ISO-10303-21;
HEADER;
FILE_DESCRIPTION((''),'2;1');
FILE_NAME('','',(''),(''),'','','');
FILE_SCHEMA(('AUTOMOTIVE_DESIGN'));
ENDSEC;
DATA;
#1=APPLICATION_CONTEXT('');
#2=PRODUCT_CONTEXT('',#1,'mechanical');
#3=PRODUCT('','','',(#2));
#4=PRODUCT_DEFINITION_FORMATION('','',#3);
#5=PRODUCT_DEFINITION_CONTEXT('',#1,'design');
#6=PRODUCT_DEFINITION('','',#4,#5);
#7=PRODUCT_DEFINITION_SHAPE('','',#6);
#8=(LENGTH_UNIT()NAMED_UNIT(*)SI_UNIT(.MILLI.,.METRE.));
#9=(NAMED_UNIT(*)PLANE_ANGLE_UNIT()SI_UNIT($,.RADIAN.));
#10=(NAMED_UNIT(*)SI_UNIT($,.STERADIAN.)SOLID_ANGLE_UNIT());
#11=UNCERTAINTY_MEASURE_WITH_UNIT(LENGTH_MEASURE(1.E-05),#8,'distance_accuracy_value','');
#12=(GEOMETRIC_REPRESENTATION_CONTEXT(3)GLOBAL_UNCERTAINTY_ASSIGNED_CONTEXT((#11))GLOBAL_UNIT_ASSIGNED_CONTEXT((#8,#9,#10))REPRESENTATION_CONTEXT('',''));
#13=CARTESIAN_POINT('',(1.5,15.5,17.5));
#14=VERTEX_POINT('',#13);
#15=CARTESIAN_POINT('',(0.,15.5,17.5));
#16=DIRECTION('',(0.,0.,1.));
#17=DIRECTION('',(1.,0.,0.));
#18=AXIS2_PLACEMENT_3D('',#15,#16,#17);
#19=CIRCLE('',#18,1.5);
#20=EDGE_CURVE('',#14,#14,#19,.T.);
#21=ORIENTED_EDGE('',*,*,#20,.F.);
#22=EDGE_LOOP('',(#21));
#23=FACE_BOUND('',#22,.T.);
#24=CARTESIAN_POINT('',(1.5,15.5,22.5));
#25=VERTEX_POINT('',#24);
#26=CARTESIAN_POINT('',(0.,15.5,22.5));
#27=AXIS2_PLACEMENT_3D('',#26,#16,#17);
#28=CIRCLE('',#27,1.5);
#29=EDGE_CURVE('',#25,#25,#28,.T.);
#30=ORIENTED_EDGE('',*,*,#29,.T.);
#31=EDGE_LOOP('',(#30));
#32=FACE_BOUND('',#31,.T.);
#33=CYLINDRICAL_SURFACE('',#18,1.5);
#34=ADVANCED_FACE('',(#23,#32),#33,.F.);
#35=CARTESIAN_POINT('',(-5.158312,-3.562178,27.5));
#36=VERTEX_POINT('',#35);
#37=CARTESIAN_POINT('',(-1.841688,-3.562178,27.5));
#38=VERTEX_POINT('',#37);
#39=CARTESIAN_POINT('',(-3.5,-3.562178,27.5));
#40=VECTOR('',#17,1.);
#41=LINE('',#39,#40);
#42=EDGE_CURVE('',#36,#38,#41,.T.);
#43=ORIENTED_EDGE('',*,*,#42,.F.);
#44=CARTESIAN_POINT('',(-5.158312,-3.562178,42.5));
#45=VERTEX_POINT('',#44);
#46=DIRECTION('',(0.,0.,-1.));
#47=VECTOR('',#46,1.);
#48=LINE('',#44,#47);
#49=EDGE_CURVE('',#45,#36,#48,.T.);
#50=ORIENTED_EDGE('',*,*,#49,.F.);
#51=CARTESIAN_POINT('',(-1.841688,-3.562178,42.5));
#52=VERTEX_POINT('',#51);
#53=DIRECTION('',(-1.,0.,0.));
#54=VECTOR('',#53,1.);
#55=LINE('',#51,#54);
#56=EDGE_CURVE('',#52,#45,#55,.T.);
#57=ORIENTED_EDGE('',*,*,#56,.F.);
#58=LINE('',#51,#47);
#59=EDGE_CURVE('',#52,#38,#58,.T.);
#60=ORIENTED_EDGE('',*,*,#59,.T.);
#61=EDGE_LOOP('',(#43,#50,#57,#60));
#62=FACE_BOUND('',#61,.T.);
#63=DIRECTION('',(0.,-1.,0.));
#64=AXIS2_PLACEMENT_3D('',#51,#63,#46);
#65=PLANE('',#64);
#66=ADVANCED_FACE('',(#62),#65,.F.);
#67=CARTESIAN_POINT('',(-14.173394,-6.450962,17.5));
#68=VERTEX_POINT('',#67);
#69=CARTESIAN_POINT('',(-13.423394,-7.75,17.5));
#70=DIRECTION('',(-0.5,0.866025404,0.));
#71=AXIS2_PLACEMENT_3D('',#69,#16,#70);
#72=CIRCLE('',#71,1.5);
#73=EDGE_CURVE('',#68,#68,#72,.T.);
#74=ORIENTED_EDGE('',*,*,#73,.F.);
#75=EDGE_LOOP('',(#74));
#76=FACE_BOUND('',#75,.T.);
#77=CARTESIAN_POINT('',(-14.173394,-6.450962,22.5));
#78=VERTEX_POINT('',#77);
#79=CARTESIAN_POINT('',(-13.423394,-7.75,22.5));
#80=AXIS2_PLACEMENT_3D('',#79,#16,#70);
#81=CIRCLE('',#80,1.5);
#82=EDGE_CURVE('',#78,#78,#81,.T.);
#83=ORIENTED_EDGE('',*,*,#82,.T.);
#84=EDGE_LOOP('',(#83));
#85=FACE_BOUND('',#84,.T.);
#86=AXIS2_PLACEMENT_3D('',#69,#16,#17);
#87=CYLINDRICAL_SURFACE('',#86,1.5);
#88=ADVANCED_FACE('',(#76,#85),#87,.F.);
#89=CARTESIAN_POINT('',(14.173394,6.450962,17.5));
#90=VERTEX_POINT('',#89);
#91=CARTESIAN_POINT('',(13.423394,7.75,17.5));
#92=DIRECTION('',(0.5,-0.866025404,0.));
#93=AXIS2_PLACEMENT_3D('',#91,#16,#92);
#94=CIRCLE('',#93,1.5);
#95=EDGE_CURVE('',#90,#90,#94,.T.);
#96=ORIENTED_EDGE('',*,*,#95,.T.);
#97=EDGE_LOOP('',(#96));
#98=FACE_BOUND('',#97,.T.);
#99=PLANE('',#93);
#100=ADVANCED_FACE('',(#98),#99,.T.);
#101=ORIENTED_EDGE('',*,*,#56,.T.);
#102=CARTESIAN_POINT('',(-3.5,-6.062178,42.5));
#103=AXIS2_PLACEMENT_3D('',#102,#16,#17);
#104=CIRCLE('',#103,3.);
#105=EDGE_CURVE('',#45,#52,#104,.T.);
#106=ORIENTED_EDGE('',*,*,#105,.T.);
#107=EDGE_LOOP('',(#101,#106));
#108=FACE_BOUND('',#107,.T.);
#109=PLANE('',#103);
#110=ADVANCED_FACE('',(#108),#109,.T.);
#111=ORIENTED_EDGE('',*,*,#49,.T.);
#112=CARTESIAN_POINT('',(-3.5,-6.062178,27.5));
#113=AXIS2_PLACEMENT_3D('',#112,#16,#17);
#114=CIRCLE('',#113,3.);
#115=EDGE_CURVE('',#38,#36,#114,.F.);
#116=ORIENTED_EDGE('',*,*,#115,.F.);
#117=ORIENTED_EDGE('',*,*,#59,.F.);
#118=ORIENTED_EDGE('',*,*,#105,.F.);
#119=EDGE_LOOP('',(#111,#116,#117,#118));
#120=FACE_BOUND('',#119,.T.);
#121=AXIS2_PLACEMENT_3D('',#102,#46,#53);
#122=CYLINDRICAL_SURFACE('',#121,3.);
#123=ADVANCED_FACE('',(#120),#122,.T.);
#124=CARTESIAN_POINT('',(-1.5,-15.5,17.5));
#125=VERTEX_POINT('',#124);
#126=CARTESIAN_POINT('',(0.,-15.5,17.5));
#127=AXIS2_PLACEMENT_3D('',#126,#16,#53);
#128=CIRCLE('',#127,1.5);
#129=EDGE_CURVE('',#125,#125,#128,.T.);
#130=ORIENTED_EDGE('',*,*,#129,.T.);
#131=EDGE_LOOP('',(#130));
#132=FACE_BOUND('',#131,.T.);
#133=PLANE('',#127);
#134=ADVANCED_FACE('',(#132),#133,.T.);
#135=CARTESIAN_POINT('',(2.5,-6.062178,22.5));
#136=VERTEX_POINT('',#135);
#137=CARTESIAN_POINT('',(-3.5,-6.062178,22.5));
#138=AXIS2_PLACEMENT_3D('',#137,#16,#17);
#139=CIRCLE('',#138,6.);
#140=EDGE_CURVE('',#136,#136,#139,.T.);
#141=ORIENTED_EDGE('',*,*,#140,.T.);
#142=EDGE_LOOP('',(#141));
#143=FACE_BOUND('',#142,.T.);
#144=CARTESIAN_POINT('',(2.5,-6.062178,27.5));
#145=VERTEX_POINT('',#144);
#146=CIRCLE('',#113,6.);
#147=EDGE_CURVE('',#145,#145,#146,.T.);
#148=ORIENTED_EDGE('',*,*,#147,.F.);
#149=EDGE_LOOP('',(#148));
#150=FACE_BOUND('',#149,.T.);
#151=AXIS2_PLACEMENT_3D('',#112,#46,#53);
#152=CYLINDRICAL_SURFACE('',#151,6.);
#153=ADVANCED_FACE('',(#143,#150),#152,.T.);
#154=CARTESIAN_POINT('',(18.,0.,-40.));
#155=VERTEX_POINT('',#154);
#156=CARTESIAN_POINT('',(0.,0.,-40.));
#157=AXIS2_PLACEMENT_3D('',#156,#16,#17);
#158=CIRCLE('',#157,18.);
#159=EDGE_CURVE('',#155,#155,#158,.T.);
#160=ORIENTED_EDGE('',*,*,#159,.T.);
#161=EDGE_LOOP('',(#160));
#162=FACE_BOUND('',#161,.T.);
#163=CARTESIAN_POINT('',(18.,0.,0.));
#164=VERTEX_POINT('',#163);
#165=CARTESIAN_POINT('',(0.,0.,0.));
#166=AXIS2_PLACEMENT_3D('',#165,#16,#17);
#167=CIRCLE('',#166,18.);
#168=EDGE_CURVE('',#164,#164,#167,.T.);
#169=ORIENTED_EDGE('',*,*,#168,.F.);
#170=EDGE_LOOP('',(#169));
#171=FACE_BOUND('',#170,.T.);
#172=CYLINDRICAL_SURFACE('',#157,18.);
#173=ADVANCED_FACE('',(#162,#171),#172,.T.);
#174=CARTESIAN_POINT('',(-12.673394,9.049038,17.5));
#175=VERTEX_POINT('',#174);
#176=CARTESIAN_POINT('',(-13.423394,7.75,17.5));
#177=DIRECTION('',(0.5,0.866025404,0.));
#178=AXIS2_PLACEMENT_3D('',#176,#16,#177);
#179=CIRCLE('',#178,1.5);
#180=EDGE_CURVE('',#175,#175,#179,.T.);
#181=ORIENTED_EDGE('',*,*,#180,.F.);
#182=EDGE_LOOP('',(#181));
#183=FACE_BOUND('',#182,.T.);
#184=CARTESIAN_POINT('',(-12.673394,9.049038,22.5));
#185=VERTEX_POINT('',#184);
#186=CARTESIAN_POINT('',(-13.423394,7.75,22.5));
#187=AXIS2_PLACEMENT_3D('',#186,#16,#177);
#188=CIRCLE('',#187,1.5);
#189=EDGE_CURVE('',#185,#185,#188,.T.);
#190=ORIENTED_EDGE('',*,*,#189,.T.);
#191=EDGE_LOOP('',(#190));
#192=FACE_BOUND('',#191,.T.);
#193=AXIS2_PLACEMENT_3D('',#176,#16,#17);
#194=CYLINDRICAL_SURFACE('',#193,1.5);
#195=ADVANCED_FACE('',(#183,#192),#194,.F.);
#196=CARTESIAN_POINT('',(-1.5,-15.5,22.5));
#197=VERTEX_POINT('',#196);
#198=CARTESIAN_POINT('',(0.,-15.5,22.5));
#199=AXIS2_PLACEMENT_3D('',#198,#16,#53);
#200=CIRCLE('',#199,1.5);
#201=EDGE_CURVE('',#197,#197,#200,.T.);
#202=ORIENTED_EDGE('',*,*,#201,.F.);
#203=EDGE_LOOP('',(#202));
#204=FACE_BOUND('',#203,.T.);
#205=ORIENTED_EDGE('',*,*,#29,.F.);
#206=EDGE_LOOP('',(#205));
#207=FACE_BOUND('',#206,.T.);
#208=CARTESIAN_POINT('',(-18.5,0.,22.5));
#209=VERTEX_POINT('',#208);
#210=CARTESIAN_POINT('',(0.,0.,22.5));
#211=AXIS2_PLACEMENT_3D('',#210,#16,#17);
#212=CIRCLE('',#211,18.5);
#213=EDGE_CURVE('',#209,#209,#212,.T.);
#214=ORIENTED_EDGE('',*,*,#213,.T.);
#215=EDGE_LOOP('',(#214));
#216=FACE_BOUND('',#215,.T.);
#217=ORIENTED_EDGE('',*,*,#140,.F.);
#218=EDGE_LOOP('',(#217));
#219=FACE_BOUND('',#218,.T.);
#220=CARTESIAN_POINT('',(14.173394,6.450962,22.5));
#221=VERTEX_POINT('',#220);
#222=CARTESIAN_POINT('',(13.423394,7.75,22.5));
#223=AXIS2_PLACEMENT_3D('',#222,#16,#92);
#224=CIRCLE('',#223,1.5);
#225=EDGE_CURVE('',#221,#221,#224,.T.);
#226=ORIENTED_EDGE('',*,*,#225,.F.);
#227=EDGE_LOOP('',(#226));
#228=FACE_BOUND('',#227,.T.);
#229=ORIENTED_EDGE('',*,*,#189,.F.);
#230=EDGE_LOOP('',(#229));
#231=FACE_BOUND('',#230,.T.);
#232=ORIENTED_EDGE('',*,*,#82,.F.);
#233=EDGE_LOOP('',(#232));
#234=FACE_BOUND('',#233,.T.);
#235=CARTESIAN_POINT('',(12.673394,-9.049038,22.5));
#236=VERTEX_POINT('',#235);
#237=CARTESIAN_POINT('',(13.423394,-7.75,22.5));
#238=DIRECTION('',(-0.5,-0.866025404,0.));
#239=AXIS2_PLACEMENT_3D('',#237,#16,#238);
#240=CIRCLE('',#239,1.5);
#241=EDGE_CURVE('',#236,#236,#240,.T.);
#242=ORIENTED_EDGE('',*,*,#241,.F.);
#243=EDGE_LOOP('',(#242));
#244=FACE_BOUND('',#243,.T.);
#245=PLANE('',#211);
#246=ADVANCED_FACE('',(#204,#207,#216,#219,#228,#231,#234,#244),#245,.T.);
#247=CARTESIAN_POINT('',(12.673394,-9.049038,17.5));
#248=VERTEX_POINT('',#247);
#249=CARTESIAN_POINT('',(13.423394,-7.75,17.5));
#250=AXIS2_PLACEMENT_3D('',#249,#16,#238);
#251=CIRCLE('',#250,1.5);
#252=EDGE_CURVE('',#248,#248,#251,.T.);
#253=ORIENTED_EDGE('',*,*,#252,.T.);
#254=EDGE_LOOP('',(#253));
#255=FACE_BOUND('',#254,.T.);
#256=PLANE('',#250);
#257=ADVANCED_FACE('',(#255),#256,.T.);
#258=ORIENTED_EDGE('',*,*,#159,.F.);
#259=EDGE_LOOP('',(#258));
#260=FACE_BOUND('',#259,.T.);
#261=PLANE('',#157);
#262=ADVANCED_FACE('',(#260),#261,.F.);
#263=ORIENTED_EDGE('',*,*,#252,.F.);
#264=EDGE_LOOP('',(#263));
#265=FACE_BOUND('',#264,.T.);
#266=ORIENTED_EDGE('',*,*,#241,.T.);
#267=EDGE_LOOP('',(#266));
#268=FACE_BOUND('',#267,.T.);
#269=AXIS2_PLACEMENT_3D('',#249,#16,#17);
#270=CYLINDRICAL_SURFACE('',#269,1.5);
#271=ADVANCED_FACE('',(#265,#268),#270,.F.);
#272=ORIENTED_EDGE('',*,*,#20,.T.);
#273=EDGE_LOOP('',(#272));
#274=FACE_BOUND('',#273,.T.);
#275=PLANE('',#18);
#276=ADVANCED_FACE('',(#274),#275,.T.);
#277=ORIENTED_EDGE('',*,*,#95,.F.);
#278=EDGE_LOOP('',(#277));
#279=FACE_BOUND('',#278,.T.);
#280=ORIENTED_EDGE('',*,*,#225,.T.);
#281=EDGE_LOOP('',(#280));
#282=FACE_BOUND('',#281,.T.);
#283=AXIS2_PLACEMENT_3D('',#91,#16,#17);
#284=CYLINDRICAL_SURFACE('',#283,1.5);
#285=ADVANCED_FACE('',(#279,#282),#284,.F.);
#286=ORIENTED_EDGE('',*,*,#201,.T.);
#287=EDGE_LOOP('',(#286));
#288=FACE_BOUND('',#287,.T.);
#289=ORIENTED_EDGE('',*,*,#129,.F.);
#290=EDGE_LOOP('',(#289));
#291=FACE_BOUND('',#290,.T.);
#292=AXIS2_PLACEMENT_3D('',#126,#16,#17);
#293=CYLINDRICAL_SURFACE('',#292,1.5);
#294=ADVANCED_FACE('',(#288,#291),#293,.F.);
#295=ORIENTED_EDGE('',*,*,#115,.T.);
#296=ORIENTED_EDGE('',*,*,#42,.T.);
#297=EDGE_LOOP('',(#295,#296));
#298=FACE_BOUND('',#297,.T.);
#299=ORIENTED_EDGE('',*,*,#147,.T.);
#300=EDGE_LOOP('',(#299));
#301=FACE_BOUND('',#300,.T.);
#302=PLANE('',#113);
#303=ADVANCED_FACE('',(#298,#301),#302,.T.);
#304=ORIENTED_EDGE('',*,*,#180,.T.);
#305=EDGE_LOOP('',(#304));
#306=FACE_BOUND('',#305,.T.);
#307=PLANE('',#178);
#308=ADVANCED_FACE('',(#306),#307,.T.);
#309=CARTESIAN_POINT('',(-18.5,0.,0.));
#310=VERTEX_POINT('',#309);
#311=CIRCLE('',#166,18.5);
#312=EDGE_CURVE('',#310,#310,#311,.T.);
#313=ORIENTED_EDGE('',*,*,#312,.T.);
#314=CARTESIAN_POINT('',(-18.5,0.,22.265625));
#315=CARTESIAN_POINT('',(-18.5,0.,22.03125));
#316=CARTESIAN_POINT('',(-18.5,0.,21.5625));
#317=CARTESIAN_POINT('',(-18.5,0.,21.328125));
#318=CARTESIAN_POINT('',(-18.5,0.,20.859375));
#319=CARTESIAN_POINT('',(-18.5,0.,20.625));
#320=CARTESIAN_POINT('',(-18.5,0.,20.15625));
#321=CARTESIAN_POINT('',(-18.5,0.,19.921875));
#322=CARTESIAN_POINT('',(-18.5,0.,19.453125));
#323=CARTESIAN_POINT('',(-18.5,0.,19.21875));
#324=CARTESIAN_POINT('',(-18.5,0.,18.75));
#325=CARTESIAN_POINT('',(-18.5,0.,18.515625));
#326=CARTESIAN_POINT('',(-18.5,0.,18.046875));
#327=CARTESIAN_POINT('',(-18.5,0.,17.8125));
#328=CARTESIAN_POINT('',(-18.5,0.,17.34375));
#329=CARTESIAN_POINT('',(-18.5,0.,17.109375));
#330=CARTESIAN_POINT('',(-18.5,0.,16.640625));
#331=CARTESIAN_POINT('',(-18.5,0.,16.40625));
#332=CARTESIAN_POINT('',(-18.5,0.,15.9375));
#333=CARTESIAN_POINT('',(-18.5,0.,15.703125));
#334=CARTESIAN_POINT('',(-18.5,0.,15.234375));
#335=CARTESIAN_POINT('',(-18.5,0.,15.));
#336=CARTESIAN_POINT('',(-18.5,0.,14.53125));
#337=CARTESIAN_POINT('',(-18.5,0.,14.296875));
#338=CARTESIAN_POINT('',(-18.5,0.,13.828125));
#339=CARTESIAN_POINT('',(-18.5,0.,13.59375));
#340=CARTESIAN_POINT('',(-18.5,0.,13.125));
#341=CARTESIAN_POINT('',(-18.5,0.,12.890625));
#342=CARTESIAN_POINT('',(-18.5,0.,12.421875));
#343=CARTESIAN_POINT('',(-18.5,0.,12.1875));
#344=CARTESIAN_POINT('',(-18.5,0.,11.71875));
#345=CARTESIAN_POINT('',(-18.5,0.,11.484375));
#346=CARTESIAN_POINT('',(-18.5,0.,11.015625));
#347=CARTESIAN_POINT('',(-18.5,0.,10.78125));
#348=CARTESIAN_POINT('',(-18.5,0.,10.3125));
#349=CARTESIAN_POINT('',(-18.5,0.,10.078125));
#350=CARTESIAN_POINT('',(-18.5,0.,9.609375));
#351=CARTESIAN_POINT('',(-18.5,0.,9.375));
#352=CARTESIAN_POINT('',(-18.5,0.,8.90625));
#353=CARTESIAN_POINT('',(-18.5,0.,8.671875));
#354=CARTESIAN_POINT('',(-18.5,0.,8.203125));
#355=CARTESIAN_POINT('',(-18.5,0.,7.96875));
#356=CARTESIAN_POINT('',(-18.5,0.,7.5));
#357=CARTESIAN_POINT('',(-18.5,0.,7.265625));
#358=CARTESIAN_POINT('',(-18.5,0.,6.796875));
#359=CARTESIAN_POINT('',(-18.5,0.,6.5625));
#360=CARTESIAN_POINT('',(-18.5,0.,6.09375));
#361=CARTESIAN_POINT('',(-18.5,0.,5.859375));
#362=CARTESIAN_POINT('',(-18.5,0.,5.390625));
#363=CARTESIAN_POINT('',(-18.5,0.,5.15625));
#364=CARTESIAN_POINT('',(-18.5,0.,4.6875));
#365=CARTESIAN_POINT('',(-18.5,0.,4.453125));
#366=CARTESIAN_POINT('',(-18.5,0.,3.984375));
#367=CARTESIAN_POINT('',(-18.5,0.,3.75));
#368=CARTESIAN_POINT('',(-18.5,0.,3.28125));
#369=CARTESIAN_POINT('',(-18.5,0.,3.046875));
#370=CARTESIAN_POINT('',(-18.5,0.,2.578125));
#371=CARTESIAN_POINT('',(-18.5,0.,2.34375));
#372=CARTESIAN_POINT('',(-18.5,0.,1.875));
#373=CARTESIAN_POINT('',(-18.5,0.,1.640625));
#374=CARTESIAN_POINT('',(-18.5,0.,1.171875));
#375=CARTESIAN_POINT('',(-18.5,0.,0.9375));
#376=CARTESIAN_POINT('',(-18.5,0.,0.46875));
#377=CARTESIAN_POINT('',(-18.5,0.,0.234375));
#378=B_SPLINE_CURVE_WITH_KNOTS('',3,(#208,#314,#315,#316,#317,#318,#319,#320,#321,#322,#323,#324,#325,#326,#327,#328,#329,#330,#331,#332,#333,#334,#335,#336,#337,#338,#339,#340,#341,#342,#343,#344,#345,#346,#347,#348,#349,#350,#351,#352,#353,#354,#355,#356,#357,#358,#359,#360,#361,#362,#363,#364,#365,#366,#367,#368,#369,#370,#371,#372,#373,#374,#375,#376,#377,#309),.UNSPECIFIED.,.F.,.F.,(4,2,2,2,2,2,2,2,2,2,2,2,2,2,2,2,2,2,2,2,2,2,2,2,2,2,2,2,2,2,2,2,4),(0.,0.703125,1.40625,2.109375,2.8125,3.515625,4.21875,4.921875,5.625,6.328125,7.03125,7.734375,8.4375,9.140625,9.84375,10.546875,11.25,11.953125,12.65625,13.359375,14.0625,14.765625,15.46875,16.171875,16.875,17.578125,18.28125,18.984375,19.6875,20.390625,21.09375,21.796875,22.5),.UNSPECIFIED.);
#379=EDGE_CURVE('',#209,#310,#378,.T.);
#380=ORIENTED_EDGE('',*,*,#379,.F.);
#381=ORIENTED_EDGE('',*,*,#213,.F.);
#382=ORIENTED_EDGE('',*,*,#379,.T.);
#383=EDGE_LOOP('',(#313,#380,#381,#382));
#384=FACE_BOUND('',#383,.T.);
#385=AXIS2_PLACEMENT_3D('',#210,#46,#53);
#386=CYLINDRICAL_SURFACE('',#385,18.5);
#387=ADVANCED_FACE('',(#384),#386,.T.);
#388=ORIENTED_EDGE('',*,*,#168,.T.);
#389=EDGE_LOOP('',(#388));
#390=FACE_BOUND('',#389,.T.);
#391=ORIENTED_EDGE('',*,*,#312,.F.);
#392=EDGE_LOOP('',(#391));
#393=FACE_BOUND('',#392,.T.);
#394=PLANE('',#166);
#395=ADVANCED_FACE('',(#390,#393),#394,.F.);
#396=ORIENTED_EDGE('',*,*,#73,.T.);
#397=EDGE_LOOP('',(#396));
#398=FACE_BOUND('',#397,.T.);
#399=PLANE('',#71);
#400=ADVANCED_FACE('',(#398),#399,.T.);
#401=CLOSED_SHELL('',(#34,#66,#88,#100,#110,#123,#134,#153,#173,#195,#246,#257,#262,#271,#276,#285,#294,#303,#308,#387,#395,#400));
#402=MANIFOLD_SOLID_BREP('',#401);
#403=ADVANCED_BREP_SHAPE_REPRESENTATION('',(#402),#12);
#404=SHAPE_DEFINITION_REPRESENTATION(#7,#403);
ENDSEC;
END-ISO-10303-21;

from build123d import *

# Parameters (mm, degrees)
SKETCH_1_R               = 18
EXTRUDE_1_DEPTH          = 40
SKETCH_2_R               = 18.5
EXTRUDE_2_DEPTH          = 22.5
SKETCH_3_R               = 6
EXTRUDE_3_DEPTH          = 5
EXTRUDE_4_DEPTH          = 20
SKETCH_5_R               = 1.5
CUT_EXTRUDE_1_DEPTH      = 5
PATTERN_CIRCULAR_1_COUNT = 6


with BuildPart() as part:
    # 草图1 → 凸台-拉伸1 (new body)
    with BuildSketch(Plane.XY):
        Circle(SKETCH_1_R)
    extrude(amount=-EXTRUDE_1_DEPTH)

    # 草图2 → 凸台-拉伸2 (add)
    with BuildSketch(Plane.XY):
        with Locations(Location((0, 0, 0), (0, 0, 180))):
            Circle(SKETCH_2_R)
    extrude(amount=EXTRUDE_2_DEPTH)

    # 草图3 → 凸台-拉伸3 (add)
    with BuildSketch(Plane.XY.offset(22.5)):
        with Locations((-3.5, -6.062177826)):
            Circle(SKETCH_3_R)
    extrude(amount=EXTRUDE_3_DEPTH)

    # 草图4 → 凸台-拉伸4 (add)
    with BuildSketch(Plane.XY.offset(22.5)):
        with BuildLine():
            Line((-1.841687605, -3.562177826), (-5.158312395, -3.562177826))
            ThreePointArc((-5.158312395, -3.562177826), (-3.5, -9.062177826), (-1.841687605, -3.562177826))
        make_face()
    extrude(amount=EXTRUDE_4_DEPTH)

    # 草图5 → 切除-拉伸1 (cut)
    with BuildSketch(Plane.XY.offset(22.5)):
        with Locations((0, 15.5)):
            Circle(SKETCH_5_R)
    cut_extrude_1 = extrude(amount=-CUT_EXTRUDE_1_DEPTH, mode=Mode.SUBTRACT)

    # 阵列(圆周)1: 切除-拉伸1 ×6 about axis
    pattern_circular_1_axis = Axis((0, 0, 0), (0, 0, 1))
    for i in range(1, PATTERN_CIRCULAR_1_COUNT):
        add(cut_extrude_1.rotate(pattern_circular_1_axis, i * 360 / PATTERN_CIRCULAR_1_COUNT), mode=Mode.SUBTRACT)


solid = part.part
